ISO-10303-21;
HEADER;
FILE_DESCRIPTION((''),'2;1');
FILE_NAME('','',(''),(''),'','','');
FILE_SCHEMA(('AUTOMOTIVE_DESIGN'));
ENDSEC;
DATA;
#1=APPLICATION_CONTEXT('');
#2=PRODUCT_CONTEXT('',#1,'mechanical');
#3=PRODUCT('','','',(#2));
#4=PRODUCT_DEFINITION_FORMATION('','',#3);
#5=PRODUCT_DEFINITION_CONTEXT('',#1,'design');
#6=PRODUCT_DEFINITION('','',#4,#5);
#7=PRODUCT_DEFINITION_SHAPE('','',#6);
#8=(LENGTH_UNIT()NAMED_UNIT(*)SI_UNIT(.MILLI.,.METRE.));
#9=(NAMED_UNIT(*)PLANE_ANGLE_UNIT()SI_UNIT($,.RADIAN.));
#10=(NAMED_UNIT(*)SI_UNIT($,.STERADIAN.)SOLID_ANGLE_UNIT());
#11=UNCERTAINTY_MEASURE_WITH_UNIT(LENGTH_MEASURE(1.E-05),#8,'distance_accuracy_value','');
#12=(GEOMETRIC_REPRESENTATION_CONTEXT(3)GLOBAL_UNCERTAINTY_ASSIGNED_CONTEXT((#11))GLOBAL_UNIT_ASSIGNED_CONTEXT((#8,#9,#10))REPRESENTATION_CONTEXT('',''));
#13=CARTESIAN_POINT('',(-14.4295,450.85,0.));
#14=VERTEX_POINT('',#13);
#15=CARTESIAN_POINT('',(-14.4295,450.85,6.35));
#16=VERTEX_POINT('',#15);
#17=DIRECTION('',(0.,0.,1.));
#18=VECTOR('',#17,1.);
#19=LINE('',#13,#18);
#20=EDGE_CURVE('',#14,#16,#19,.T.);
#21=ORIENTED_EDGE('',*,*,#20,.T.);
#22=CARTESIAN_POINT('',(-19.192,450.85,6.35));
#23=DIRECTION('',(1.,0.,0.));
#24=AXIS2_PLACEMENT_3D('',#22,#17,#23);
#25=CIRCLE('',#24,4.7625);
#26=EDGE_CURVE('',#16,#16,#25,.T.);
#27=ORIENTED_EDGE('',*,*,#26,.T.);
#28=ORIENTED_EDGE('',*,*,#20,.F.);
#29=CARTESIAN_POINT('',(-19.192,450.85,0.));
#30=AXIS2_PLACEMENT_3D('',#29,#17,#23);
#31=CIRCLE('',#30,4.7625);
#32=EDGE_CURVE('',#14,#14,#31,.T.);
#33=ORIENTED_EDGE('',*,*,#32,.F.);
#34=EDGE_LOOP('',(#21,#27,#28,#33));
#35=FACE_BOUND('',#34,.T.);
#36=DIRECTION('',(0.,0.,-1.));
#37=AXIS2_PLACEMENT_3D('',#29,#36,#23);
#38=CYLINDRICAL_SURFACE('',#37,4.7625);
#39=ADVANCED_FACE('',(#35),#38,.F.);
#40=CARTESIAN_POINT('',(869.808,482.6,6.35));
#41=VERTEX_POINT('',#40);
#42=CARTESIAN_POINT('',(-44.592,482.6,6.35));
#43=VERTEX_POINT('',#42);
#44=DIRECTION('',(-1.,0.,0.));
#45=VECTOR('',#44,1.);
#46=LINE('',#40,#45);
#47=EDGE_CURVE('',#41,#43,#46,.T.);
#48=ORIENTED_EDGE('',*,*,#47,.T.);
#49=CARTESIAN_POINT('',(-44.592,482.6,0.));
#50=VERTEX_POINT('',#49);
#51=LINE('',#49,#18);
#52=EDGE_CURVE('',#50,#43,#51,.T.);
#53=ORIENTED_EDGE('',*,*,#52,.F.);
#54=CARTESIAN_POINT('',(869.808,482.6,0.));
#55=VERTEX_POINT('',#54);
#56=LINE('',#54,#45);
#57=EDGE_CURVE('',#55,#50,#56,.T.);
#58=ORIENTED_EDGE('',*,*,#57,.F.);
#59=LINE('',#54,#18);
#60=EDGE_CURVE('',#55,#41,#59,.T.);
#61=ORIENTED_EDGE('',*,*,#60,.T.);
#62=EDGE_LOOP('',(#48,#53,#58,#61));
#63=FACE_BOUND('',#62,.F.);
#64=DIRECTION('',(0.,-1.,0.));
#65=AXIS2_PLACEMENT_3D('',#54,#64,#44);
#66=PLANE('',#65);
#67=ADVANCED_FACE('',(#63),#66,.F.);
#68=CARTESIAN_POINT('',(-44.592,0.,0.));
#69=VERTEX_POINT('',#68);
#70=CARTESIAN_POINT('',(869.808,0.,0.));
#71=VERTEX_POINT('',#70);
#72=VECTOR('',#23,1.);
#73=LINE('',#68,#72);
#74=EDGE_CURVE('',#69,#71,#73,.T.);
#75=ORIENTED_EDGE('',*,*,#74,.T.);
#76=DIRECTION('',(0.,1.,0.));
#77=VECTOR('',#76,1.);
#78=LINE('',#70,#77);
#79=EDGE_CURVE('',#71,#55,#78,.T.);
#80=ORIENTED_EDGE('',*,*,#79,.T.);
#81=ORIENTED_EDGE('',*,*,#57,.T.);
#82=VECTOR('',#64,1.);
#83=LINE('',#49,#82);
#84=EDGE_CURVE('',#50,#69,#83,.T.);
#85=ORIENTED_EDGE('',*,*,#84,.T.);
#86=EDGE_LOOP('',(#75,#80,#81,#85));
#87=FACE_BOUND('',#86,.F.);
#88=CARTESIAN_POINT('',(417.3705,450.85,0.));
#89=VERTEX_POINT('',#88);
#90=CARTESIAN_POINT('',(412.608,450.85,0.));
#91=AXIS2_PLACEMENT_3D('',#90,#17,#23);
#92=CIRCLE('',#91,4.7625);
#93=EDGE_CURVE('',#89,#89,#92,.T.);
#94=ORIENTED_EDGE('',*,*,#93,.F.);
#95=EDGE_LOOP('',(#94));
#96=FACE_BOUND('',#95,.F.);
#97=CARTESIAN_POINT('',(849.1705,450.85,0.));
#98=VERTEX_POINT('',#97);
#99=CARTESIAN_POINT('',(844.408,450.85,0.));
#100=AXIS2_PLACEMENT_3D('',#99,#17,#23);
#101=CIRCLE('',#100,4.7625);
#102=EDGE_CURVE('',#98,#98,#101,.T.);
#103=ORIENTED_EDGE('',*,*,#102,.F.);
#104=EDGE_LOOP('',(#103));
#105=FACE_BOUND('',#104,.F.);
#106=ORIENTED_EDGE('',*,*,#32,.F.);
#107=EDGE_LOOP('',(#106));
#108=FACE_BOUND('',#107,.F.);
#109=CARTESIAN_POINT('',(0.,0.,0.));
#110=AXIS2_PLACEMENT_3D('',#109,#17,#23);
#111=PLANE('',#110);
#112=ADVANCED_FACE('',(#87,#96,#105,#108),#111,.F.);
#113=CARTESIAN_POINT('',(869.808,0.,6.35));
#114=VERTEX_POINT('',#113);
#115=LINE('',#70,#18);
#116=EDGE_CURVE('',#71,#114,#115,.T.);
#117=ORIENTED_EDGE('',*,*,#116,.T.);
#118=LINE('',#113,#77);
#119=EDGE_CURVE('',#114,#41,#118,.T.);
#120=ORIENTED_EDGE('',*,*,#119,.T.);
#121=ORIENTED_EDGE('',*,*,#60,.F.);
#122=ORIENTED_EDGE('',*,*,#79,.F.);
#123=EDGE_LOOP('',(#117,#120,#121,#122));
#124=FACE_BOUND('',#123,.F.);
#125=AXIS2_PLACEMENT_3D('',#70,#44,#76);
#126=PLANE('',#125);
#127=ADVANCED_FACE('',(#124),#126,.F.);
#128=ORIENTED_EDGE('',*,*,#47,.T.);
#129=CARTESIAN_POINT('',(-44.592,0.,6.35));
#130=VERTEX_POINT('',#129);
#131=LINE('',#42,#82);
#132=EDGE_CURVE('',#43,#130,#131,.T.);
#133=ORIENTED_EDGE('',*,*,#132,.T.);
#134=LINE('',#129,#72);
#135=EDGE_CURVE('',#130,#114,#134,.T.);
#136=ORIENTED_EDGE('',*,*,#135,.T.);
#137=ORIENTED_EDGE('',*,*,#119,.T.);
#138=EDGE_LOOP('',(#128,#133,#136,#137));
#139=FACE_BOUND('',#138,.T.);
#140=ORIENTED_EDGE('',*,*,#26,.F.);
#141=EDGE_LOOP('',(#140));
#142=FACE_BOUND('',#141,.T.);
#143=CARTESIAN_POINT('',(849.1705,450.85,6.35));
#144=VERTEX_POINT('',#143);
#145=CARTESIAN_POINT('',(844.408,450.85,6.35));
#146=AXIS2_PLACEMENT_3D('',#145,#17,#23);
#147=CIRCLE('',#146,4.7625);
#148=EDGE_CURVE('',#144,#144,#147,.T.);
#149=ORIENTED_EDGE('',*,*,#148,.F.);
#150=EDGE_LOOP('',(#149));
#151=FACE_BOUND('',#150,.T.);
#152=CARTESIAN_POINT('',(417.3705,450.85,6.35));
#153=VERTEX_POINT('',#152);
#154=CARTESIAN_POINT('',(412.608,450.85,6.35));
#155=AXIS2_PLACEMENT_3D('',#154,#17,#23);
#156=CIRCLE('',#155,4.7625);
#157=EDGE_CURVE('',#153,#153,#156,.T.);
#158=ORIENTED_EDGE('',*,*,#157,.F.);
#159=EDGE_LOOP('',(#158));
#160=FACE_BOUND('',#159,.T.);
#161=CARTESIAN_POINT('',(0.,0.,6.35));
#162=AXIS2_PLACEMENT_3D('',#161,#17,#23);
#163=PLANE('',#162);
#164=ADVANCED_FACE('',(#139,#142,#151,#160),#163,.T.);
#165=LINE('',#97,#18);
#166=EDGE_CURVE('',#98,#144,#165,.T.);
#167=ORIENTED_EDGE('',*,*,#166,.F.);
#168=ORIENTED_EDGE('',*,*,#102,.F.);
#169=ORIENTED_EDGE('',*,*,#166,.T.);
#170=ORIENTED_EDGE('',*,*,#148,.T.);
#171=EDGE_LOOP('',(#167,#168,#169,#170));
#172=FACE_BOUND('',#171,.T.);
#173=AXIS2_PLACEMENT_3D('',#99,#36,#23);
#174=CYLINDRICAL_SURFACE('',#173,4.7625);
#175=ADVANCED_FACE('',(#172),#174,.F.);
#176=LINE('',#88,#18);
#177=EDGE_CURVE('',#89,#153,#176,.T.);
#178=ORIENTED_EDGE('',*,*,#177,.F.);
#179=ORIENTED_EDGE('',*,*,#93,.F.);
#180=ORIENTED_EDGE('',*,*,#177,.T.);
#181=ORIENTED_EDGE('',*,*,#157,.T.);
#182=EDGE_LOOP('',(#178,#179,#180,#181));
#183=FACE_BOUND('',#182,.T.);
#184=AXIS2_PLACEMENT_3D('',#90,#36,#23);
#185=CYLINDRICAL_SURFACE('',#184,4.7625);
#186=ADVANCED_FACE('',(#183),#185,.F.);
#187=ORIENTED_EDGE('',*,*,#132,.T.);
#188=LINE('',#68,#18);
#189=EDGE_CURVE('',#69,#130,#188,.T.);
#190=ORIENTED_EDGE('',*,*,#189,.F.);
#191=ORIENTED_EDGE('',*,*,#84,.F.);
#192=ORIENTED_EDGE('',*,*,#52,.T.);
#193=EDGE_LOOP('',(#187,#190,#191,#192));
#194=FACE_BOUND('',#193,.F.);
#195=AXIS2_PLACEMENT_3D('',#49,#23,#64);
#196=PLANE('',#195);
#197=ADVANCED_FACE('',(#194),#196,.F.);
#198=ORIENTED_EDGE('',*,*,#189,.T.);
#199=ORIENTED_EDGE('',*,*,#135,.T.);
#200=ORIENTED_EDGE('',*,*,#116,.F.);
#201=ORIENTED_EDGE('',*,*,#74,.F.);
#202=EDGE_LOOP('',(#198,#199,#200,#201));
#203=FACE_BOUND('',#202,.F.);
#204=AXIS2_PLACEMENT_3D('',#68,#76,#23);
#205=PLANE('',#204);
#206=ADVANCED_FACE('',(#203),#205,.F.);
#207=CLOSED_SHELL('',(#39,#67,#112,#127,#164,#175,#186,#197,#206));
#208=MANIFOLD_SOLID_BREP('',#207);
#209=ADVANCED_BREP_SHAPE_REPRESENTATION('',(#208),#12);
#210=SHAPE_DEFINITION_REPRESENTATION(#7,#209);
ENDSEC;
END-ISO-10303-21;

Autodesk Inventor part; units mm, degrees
ref_plane "YZ Plane" through (0, 0, 0) normal (1, 0, 0) x (0, 1, 0)
ref_plane "XZ Plane" through (0, 0, 0) normal (0, 1, 0) x (-1, 0, 0)
ref_plane "XY Plane" through (0, 0, 0) normal (0, 0, 1) x (1, 0, 0)
sketch "Sketch1" plane through (0, 0, 0) normal (0, 0, 1) x (1, 0, 0)
  line L0 (-44.592, 0) -> (869.808, 0)
  line L1 (869.808, 482.6) -> (-44.592, 482.6)
  line L2 (-44.592, 482.6) -> (-44.592, 0)
  line L3 (869.808, 0) -> (869.808, 482.6)
  circle A0 centre (-19.192, 450.85) radius 4.7625
  circle A1 centre (412.608, 450.85) radius 4.7625
  circle A2 centre (844.408, 450.85) radius 4.7625
  dimension "d0" = 914.4
  dimension "d1" = 482.6
  dimension "d2" = 9.525
  dimension "d3" = 9.525
  dimension "d4" = 9.525
  dimension "d5" = 31.75
  dimension "d6" = 31.75
  dimension "d7" = 31.75
  dimension "d8" = 25.4
  dimension "d9" = 457.2
  dimension "d10" = 889
extrude "Extrusion1" add sketch "Sketch1" along normal blind 6.35
properties part number "FE-00008"
